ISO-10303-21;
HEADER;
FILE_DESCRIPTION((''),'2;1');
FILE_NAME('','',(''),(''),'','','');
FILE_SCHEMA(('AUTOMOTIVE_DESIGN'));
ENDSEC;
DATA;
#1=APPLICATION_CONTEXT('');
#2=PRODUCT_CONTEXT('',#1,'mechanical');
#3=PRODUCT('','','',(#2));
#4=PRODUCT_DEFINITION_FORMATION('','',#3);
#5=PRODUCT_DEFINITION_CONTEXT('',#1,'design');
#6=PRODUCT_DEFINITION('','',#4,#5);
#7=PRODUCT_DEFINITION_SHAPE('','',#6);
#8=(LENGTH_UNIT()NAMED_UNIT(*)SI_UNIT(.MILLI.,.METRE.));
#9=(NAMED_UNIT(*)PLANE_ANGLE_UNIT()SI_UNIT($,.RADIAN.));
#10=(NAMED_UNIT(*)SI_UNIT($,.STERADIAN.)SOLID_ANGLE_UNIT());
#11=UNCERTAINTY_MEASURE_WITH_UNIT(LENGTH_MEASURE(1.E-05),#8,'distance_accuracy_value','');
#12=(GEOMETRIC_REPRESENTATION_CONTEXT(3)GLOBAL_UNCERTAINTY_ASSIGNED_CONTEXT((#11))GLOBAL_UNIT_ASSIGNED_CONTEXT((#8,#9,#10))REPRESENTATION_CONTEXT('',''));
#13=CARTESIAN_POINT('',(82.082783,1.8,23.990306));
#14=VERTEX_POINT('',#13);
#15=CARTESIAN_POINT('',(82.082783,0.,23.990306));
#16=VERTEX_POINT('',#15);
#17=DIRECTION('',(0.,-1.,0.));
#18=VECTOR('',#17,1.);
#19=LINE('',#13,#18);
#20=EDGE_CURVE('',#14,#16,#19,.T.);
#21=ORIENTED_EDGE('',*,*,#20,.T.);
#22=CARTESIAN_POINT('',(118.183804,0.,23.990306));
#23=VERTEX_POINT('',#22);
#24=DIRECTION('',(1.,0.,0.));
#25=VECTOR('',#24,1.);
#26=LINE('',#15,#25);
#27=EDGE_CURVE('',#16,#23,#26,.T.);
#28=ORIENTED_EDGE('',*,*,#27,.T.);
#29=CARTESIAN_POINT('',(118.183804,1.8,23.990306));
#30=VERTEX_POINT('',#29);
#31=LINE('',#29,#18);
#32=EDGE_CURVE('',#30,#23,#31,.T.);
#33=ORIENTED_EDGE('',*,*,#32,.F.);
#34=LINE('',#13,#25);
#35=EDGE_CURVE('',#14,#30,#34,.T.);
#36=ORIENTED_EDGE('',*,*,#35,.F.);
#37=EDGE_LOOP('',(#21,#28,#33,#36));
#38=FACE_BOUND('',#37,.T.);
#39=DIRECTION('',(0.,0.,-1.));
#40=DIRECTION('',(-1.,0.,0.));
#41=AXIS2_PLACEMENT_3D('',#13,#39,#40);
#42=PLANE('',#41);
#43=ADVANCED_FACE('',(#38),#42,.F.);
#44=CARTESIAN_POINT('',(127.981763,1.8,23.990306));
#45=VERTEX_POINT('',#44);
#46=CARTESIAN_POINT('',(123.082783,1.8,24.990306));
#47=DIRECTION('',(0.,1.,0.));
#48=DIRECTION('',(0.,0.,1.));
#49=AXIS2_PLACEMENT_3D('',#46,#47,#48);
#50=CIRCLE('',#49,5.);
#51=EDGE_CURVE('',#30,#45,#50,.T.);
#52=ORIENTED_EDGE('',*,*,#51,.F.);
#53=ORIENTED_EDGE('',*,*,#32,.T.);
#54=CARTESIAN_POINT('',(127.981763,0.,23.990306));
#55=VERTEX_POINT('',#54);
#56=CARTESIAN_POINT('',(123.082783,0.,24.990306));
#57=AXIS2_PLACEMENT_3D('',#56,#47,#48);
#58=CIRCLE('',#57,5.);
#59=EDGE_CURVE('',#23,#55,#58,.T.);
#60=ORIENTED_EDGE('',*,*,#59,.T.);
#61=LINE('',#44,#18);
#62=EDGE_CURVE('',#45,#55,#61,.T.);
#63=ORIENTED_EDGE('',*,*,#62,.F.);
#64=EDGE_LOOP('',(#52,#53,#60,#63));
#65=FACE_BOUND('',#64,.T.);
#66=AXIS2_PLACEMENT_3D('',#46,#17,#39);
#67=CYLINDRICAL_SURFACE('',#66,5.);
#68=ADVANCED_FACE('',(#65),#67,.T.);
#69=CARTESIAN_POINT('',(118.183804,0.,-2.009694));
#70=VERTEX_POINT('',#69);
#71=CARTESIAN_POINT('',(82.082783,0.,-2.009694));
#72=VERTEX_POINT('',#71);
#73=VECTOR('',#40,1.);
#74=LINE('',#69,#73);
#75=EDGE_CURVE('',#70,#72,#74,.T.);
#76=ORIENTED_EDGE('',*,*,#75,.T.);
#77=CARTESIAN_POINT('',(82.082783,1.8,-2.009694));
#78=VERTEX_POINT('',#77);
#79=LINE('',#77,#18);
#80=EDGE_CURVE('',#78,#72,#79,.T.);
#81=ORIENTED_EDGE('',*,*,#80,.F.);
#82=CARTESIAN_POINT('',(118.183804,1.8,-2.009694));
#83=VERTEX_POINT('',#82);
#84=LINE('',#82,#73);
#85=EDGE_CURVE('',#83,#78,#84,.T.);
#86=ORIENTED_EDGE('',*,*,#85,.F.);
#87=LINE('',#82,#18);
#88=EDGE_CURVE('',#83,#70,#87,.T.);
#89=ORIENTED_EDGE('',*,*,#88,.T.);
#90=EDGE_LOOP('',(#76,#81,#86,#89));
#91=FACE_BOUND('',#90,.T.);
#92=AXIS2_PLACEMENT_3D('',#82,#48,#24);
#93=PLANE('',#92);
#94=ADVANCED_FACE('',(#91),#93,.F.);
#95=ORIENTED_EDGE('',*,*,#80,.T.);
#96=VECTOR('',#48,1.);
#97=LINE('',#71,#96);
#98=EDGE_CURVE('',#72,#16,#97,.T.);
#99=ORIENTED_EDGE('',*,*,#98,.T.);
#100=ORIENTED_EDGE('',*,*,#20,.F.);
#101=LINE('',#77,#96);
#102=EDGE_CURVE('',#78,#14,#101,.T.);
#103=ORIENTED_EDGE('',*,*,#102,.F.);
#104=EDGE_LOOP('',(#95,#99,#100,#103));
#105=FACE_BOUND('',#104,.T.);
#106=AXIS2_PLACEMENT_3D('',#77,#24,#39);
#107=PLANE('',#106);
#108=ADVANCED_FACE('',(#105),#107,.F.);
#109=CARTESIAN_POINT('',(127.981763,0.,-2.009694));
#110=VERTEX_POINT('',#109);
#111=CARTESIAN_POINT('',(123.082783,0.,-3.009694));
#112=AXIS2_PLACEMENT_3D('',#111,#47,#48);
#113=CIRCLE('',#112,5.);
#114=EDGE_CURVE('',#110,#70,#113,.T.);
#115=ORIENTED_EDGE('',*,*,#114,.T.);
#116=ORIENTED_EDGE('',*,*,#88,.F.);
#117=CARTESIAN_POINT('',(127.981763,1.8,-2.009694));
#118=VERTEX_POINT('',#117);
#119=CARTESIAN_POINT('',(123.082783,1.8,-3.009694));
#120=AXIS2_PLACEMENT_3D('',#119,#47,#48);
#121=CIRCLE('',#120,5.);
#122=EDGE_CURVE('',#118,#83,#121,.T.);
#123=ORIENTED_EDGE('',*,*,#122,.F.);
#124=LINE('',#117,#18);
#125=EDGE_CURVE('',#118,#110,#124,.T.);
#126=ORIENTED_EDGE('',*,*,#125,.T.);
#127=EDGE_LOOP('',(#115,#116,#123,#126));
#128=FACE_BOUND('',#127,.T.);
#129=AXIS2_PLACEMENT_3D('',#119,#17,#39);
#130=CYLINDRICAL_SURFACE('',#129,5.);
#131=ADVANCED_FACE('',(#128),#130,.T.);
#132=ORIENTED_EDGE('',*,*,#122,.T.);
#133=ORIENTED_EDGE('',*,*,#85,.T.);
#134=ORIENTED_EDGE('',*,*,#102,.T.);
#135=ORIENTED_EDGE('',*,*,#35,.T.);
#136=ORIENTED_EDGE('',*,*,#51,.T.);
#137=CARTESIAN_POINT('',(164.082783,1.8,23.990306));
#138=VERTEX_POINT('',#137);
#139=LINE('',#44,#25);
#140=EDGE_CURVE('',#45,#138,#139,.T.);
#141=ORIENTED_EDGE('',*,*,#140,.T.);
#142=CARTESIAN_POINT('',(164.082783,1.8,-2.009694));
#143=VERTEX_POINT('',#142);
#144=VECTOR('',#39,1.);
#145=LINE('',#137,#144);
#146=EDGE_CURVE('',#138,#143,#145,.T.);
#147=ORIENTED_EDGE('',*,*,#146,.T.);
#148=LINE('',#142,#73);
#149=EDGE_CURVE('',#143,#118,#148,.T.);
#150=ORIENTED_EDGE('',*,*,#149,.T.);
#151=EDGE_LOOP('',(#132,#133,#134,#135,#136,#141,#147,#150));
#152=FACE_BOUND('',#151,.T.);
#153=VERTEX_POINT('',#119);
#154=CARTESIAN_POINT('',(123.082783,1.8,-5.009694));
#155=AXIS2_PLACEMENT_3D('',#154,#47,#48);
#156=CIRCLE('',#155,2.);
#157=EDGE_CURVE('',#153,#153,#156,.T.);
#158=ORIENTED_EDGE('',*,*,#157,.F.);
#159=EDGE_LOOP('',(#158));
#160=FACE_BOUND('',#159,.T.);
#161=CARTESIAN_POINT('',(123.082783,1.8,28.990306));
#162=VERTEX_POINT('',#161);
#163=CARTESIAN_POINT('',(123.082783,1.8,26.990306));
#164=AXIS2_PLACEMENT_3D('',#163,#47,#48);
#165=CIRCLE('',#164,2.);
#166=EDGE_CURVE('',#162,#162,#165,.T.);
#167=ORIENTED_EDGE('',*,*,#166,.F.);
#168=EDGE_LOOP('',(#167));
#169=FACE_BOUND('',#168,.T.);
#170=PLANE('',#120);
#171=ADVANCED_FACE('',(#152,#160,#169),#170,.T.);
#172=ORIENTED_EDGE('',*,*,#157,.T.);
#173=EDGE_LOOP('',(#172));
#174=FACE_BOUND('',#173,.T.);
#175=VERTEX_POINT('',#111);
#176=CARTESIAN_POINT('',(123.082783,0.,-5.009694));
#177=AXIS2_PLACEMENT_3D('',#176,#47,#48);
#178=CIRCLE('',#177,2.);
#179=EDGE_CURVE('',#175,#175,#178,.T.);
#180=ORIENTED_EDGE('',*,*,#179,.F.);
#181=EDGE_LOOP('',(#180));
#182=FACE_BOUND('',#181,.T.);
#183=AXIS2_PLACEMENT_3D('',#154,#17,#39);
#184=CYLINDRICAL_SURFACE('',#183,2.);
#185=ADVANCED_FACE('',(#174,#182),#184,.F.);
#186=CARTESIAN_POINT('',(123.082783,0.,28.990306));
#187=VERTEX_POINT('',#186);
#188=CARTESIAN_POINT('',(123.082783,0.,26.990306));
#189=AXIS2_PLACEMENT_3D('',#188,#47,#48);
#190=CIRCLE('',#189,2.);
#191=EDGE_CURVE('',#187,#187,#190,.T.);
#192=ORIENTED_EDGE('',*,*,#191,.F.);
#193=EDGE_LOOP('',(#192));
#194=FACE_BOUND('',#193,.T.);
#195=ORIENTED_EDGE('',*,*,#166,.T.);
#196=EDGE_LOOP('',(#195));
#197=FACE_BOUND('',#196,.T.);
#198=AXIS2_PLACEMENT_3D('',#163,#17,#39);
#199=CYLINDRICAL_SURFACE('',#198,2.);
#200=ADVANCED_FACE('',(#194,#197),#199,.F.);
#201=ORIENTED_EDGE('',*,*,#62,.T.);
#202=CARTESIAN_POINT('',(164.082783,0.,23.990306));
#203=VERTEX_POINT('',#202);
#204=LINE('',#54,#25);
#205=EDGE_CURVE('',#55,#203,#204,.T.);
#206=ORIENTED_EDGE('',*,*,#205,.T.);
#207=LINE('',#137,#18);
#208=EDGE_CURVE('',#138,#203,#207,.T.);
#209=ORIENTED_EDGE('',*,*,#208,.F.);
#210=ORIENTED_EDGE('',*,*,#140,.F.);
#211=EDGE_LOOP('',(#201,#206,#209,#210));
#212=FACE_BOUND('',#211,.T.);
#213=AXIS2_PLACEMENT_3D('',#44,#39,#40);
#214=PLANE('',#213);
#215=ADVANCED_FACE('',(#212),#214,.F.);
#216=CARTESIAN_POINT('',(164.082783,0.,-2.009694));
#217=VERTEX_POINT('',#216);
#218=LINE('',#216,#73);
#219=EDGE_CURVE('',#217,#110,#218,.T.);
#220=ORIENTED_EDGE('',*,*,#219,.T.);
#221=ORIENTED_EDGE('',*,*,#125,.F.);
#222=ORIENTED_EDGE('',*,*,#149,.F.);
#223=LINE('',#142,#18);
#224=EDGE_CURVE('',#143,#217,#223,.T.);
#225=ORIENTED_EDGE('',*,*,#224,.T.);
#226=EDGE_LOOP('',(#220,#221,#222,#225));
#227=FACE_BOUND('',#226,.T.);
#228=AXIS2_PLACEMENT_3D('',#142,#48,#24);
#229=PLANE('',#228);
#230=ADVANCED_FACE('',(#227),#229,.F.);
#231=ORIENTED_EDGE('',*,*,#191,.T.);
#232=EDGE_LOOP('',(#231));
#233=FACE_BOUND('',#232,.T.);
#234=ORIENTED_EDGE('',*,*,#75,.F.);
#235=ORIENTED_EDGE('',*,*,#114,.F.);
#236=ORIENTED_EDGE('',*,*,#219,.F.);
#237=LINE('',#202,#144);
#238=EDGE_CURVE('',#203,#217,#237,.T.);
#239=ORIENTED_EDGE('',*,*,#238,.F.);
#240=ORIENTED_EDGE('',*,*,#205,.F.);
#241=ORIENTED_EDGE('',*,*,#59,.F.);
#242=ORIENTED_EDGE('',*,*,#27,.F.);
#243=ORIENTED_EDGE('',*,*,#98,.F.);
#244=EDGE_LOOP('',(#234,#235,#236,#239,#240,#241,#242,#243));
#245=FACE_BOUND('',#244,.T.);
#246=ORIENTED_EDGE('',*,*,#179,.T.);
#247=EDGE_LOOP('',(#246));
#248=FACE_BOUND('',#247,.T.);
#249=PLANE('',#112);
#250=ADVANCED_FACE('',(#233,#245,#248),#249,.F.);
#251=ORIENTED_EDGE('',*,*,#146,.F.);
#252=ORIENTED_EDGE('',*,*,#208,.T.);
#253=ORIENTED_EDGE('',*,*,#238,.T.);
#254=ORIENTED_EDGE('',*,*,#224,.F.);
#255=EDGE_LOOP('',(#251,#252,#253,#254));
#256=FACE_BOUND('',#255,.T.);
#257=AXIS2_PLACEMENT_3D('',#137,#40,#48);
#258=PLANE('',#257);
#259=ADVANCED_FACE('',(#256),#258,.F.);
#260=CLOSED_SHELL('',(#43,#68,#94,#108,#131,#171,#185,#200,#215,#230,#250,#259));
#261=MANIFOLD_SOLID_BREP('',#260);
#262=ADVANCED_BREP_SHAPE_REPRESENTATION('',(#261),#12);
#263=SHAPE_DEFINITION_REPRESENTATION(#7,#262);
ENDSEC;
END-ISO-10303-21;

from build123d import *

# Parameters (mm, degrees)
SKETCH1_R           = 2
BOSS_EXTRUDE1_DEPTH = 1.8


with BuildPart() as part:
    # Sketch1 → Boss-Extrude1 (new body)
    with BuildSketch(Plane(origin=(0, 0, 0), x_dir=(1, 0, 0), z_dir=(0, 1, 0))):
        with BuildLine():
            Line((118.18380357, 2.009694076), (82.082783055, 2.009694076))
            Line((82.082783055, 2.009694076), (82.082783055, -23.990305924))
            Line((82.082783055, -23.990305924), (118.18380357, -23.990305924))
            ThreePointArc((118.18380357, -23.990305924), (123.082783055, -29.990305924), (127.981762541, -23.990305924))
            Line((127.981762541, -23.990305924), (164.082783055, -23.990305924))
            Line((164.082783055, -23.990305924), (164.082783055, 2.009694076))
            Line((164.082783055, 2.009694076), (127.981762541, 2.009694076))
            ThreePointArc((127.981762541, 2.009694076), (123.082783055, 8.009694076), (118.18380357, 2.009694076))
        make_face()
        with Locations(Location((123.082783055, 5.009694076, 0), (0, 0, 270))):
            Circle(SKETCH1_R, mode=Mode.SUBTRACT)
        with Locations(Location((123.082783055, -26.990305924, 0), (0, 0, 270))):
            Circle(SKETCH1_R, mode=Mode.SUBTRACT)
    extrude(amount=BOSS_EXTRUDE1_DEPTH)


solid = part.part
